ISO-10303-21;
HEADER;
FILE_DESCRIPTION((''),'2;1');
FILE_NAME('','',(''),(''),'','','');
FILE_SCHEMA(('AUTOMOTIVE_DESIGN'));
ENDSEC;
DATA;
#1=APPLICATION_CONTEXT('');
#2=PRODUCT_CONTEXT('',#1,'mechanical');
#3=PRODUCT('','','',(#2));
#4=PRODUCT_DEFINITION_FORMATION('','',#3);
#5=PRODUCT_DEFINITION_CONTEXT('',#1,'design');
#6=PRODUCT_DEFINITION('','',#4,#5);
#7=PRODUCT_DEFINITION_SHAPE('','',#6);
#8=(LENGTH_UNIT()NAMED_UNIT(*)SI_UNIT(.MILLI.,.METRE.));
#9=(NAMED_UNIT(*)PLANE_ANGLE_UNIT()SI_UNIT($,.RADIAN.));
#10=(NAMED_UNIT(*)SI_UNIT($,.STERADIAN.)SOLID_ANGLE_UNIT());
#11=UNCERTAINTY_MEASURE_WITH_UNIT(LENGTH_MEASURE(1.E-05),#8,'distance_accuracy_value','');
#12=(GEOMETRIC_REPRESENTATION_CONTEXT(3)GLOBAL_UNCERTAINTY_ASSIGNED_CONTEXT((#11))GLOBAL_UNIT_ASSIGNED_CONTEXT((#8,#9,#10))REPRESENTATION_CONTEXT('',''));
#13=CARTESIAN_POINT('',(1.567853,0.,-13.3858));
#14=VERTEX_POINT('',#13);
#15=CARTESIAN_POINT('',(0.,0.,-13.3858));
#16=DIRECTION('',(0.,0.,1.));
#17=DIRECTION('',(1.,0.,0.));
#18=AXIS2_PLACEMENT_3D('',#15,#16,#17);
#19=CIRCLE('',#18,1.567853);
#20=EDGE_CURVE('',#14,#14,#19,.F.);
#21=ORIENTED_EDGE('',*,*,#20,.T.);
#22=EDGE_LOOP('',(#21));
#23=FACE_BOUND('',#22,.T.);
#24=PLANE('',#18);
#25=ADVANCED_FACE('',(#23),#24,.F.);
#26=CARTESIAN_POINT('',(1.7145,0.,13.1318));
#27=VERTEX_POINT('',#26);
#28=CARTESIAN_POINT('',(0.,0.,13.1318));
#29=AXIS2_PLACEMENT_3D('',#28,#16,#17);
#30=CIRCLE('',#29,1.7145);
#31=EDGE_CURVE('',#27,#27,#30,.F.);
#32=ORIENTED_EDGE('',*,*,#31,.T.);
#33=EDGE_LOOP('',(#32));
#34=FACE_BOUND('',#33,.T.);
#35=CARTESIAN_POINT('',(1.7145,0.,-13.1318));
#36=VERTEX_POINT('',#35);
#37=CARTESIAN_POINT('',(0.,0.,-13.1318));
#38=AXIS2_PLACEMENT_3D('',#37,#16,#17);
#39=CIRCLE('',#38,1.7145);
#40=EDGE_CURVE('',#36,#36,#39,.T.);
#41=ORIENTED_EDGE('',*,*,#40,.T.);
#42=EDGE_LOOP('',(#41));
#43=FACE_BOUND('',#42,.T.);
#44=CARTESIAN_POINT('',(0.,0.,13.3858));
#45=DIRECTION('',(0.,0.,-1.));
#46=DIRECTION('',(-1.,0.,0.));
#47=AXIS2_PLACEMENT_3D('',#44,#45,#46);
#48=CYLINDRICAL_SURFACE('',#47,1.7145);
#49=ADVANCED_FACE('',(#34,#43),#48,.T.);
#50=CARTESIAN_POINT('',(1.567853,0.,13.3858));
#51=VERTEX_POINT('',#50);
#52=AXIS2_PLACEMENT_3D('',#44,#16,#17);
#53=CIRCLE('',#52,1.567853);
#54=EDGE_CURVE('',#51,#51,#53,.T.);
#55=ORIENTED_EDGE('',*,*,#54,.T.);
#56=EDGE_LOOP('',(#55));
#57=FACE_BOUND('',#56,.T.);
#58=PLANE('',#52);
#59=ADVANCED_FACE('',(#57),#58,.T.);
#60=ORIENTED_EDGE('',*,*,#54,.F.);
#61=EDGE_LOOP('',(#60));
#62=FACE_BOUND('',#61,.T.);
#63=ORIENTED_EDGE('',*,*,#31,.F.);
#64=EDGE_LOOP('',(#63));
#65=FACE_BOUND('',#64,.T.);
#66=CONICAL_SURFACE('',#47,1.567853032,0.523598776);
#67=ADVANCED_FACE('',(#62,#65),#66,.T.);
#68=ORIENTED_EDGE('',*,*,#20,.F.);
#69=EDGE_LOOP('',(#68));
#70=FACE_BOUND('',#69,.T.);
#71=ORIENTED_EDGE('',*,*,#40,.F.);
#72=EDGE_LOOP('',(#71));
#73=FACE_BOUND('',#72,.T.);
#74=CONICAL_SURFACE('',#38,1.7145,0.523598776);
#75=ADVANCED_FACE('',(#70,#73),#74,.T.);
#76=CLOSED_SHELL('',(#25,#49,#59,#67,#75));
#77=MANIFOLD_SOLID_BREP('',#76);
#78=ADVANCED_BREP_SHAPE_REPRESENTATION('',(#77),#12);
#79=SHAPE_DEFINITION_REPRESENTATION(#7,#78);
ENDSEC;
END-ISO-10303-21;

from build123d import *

# Parameters (mm, degrees)
SKETCH2_R      = 1.7145
EXTRUDE1_DEPTH = 13.3858
CHAMFER1_SIZE  = 0.254
CHAMFER1_SIZE2 = 0.146646968
CHAMFER2_SIZE  = 0.254
CHAMFER2_SIZE2 = 0.146646968


with BuildPart() as part:
    # Sketch2 → Extrude1 (new, symmetric)
    with BuildSketch(Plane.XY):
        Circle(SKETCH2_R)
    extrude(amount=EXTRUDE1_DEPTH, both=True)

    # Chamfer1
    chamfer1_edges = [part.edges().sort_by_distance(p)[0] for p in [
        (-1.7145, 0, 13.3858),
    ]]
    chamfer1_side = [part.faces().sort_by_distance(p)[0] for p in [
        (-1.7145, 0, 0),
    ]]
    chamfer(chamfer1_edges, length=CHAMFER1_SIZE, length2=CHAMFER1_SIZE2, reference=chamfer1_side[0])

    # Chamfer2
    chamfer2_edges = [part.edges().sort_by_distance(p)[0] for p in [
        (-1.7145, 0, -13.3858),
    ]]
    chamfer2_side = [part.faces().sort_by_distance(p)[0] for p in [
        (-1.7145, 0, -0.127),
    ]]
    chamfer(chamfer2_edges, length=CHAMFER2_SIZE, length2=CHAMFER2_SIZE2, reference=chamfer2_side[0])


solid = part.part
